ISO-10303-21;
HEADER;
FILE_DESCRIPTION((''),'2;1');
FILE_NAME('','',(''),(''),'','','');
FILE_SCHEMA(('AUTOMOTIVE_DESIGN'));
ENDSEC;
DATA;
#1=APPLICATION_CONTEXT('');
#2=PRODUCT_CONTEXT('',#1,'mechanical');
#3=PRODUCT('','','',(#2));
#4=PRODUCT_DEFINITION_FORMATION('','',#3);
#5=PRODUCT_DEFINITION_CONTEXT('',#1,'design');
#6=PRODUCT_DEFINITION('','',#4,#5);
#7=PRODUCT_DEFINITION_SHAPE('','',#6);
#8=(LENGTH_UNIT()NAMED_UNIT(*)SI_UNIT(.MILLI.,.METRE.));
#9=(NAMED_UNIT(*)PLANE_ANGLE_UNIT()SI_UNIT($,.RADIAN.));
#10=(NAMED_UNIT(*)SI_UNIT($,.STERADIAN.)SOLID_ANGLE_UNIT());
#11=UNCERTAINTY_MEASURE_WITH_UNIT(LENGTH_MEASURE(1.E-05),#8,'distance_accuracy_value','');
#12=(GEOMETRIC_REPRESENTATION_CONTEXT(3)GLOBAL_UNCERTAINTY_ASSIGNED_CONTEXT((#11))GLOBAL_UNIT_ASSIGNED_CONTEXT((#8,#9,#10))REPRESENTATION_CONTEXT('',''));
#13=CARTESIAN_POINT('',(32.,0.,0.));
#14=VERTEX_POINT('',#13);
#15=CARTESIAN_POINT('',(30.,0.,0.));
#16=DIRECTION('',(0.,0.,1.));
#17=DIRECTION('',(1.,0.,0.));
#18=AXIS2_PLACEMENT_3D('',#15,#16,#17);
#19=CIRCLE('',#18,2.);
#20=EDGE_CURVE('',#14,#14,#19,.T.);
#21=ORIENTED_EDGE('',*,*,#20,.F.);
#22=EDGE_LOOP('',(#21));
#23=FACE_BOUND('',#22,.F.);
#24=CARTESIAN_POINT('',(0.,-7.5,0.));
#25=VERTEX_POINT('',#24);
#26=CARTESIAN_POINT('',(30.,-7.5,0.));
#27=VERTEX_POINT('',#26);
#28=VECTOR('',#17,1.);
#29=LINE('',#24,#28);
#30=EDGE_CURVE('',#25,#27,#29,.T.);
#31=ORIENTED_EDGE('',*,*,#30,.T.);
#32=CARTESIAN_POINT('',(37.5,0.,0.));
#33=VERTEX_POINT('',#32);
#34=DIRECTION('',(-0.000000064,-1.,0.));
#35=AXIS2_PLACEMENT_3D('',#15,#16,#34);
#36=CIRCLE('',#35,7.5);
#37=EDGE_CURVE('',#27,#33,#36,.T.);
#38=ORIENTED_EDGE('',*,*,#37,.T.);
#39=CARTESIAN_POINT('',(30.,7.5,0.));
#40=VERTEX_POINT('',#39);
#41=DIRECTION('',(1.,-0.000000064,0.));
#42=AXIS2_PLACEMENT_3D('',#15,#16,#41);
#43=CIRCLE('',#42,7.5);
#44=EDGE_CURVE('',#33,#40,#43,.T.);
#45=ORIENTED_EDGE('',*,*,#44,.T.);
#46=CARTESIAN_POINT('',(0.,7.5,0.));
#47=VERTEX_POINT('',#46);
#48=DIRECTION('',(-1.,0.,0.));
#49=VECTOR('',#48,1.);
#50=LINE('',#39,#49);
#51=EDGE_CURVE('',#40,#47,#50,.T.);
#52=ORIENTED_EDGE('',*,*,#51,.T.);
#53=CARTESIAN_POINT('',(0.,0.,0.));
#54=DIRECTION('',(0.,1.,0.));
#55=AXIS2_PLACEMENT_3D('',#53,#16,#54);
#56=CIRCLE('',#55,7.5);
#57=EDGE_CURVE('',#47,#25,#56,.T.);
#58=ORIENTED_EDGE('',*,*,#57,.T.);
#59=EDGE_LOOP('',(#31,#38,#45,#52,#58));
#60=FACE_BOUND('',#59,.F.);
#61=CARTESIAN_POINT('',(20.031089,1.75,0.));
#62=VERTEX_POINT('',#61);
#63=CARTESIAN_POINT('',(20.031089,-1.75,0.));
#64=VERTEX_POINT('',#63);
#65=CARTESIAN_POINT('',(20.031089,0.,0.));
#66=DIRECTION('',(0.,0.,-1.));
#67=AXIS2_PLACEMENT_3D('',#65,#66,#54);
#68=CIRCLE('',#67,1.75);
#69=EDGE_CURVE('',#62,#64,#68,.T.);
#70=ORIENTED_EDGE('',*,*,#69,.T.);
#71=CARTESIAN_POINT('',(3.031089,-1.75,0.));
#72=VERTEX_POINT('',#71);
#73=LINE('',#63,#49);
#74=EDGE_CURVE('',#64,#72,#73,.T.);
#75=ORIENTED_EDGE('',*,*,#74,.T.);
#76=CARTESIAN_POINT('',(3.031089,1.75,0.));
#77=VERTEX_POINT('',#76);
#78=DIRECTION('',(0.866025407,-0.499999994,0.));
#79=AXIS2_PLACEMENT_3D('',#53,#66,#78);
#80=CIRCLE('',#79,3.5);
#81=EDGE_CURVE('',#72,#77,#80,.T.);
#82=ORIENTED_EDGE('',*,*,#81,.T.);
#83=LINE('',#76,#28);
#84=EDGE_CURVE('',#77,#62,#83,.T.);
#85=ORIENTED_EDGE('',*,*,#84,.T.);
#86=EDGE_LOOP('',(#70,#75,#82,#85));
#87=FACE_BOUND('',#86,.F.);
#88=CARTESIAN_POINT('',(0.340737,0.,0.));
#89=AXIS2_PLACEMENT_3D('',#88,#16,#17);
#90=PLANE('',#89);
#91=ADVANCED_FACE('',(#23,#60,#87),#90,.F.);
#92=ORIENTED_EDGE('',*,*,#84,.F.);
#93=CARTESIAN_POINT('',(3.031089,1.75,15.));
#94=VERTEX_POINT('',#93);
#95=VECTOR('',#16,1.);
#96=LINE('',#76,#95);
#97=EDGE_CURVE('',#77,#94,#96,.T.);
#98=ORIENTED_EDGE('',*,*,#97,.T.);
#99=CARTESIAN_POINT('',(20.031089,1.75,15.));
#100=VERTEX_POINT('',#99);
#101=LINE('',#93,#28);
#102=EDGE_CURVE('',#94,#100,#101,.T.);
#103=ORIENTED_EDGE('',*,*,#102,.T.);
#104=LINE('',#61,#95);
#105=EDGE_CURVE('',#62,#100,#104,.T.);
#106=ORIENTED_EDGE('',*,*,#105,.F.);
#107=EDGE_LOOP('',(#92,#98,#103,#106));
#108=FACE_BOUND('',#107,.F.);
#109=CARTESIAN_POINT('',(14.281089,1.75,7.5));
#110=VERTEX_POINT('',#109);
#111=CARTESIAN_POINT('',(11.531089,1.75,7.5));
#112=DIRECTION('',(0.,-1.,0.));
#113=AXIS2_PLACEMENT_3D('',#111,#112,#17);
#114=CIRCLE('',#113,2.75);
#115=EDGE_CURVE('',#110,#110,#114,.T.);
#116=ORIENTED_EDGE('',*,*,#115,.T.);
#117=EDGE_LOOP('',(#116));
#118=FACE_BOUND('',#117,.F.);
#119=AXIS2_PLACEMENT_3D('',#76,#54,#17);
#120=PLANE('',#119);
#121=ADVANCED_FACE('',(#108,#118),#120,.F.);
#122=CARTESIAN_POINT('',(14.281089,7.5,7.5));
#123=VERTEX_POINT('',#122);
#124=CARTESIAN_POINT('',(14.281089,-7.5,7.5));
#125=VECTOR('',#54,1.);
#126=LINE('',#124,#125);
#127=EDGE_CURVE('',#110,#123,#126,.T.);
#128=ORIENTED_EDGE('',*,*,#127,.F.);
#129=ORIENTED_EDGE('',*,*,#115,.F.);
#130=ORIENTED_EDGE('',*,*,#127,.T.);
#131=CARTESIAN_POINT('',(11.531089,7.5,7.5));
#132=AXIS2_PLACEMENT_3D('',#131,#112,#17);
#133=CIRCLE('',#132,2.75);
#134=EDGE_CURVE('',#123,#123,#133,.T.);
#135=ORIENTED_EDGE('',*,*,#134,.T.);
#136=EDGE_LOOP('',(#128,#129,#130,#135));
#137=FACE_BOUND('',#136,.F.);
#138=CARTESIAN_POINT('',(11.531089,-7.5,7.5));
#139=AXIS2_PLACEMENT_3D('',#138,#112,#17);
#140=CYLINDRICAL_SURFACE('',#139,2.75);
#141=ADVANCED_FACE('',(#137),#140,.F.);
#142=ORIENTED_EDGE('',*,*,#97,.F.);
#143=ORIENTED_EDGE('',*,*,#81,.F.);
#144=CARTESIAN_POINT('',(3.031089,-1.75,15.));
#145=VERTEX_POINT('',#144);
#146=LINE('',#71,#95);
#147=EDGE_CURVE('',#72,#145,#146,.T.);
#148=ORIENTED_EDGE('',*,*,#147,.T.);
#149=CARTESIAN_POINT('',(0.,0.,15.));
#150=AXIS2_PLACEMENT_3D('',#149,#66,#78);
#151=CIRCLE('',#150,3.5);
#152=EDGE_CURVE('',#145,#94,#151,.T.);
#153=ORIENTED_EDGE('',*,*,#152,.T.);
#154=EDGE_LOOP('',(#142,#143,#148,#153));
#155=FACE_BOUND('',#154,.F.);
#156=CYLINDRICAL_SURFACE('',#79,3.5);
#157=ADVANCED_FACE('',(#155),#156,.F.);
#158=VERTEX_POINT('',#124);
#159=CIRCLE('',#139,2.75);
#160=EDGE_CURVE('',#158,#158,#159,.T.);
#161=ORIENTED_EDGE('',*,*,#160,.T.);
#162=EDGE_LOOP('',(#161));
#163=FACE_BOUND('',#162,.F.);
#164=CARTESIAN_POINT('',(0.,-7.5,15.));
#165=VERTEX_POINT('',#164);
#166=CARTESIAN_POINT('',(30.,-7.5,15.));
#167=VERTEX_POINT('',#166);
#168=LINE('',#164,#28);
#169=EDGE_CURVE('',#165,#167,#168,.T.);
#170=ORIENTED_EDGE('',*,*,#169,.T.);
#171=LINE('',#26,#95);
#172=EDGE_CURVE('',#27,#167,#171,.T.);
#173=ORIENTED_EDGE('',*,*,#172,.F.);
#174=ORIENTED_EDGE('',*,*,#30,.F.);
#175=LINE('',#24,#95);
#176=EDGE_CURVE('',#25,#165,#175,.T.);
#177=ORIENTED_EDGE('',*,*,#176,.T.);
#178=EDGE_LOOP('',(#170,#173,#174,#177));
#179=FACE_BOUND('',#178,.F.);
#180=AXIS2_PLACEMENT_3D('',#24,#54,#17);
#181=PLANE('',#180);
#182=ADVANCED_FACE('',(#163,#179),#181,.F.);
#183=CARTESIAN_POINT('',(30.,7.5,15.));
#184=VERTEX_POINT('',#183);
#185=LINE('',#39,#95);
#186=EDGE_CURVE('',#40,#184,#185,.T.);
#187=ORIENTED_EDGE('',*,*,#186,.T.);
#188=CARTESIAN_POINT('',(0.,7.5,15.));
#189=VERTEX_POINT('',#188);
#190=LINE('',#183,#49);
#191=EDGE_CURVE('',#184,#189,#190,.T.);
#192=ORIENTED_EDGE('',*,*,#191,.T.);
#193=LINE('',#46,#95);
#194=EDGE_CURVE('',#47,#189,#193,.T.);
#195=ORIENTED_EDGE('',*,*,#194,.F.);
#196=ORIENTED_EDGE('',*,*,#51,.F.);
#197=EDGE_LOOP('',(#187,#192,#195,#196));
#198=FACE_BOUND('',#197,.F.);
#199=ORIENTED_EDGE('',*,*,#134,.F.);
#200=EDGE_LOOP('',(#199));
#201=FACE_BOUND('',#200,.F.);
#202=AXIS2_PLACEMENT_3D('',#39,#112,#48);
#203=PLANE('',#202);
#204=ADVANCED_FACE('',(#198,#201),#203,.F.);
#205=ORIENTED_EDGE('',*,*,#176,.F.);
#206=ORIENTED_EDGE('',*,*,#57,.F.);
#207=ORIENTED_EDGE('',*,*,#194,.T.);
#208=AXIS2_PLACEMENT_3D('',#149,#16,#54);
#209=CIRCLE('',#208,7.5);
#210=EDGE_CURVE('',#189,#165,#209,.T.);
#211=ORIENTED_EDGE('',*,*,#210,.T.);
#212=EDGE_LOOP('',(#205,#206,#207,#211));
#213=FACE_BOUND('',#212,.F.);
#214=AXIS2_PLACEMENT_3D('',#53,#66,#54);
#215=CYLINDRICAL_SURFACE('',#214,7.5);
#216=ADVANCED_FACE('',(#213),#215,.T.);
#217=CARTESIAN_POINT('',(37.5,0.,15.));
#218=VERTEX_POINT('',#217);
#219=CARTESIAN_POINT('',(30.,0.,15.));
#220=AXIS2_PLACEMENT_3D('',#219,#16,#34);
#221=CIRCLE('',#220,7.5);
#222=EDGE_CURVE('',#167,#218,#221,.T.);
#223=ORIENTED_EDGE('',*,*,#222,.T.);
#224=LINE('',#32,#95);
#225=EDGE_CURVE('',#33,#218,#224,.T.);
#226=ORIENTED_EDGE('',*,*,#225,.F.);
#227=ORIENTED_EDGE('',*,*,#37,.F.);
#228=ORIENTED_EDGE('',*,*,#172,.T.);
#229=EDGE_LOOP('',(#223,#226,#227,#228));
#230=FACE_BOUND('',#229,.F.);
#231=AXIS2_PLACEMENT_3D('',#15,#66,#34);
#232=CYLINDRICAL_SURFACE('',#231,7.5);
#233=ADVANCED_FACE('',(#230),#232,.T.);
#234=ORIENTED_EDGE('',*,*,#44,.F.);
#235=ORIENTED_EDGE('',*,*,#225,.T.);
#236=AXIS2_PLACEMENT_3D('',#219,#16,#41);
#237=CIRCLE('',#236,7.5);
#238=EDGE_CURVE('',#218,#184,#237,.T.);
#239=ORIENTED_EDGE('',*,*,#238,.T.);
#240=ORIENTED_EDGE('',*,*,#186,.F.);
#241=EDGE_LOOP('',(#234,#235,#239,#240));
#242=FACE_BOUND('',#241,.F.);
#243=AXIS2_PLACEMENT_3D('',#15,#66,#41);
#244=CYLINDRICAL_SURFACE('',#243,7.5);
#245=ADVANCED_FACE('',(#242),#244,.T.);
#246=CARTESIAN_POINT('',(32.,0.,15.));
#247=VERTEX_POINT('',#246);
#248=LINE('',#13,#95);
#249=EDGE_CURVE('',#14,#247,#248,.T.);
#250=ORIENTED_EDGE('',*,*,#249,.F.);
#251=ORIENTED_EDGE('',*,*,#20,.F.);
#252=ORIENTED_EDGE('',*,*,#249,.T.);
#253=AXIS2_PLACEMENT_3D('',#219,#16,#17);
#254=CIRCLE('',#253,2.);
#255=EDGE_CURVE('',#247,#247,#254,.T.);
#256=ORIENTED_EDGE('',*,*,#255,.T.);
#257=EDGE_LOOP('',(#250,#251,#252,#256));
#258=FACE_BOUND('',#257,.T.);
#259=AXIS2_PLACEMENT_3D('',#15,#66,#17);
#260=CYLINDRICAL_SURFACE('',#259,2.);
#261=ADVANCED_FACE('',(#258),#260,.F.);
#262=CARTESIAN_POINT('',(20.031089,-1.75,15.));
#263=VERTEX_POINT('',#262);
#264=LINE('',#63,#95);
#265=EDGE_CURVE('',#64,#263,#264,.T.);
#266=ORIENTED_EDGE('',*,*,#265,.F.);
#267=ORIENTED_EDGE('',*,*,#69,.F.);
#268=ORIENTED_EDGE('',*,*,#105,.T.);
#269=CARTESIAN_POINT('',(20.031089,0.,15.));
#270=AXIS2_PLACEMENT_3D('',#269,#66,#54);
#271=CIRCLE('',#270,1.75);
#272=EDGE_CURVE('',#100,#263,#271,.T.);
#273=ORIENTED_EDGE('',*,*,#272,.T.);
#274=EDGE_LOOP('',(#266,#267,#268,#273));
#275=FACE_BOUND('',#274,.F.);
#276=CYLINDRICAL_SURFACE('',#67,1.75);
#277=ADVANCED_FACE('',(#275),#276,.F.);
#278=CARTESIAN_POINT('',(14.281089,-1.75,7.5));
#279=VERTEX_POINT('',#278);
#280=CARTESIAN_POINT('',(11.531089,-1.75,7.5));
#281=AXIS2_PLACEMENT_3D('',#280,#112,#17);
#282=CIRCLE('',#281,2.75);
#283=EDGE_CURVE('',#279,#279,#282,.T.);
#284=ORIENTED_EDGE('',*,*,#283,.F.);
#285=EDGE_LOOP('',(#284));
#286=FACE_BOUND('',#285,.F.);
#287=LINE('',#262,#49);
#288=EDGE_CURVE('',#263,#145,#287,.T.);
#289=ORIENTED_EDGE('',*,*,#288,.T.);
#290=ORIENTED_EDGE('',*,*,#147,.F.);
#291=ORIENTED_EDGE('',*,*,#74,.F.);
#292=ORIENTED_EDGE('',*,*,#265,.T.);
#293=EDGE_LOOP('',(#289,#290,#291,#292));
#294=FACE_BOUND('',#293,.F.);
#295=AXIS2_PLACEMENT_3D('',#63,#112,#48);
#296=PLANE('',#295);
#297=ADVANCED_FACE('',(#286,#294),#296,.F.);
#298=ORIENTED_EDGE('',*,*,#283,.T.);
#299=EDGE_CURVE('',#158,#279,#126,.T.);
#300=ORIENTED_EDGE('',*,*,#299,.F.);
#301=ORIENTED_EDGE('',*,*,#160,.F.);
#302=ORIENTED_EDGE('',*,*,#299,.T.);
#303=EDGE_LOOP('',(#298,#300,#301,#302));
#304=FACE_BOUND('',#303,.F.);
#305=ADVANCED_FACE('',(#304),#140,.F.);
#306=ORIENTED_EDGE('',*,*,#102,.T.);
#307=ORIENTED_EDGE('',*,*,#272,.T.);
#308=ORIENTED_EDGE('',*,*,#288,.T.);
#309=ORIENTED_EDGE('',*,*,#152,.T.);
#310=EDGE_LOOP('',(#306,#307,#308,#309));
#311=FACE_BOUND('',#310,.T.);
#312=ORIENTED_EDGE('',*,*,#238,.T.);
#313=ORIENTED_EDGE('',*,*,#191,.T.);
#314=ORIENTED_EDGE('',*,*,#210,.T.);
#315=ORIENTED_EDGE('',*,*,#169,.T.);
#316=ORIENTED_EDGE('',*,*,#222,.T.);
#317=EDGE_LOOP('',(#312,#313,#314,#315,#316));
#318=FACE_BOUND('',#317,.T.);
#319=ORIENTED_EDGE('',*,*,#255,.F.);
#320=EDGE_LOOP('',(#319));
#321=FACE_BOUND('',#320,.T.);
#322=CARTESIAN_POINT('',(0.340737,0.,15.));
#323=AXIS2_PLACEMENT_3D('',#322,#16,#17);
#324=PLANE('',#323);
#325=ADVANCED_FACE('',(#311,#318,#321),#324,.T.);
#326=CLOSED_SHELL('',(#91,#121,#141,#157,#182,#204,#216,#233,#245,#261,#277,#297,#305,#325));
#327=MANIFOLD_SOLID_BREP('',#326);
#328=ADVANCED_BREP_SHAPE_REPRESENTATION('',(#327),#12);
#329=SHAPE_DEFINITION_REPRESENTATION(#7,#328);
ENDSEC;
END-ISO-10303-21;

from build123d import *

# Parameters (mm, degrees)
F0_R     = 2
F1_DEPTH = 15
F2_R     = 2.75
F3_DEPTH = 15.001


with BuildPart() as f1:
    # F0 (on Top) → F1 (new body)
    with BuildSketch(Plane.XY):
        with BuildLine():
            ThreePointArc((7.292976, 1.75), (4.643544, 5.889609), (0, 7.5))
            ThreePointArc((0, 7.5), (-7.5, 0), (0, -7.5))
            ThreePointArc((0, -7.5), (4.643544, -5.889609), (7.292976, -1.75))
            Line((7.292976, -1.75), (3.031089, -1.75))
            ThreePointArc((3.031089, -1.75), (-3.5, 0), (3.031089, 1.75))
            Line((3.031089, 1.75), (7.292976, 1.75))
        make_face()
        with BuildLine():
            ThreePointArc((30, -7.5), (22.5, 0), (30, 7.5))
            Line((30, 7.5), (0, 7.5))
            ThreePointArc((0, 7.5), (4.643544, 5.889609), (7.292976, 1.75))
            Line((7.292976, 1.75), (20.031089, 1.75))
            ThreePointArc((20.031089, 1.75), (21.781089, 0), (20.031089, -1.75))
            Line((20.031089, -1.75), (7.292976, -1.75))
            ThreePointArc((7.292976, -1.75), (4.643544, -5.889609), (0, -7.5))
            Line((0, -7.5), (30, -7.5))
        make_face()
        with BuildLine():
            ThreePointArc((30, -7.5), (35.303301, -5.303301), (37.5, 0))
            ThreePointArc((37.5, 0), (35.303301, 5.303301), (30, 7.5))
            ThreePointArc((30, 7.5), (22.5, 0), (30, -7.5))
        make_face()
        with Locations((30, 0)):
            Circle(F0_R, mode=Mode.SUBTRACT)
    extrude(amount=F1_DEPTH)

    # F2 (on face) → F3 (cut, through all)
    with BuildSketch(Plane.XZ.offset(7.5)):
        with Locations((11.531089, 7.5)):
            Circle(F2_R)
    extrude(amount=-F3_DEPTH, mode=Mode.SUBTRACT)


solid = f1.part
